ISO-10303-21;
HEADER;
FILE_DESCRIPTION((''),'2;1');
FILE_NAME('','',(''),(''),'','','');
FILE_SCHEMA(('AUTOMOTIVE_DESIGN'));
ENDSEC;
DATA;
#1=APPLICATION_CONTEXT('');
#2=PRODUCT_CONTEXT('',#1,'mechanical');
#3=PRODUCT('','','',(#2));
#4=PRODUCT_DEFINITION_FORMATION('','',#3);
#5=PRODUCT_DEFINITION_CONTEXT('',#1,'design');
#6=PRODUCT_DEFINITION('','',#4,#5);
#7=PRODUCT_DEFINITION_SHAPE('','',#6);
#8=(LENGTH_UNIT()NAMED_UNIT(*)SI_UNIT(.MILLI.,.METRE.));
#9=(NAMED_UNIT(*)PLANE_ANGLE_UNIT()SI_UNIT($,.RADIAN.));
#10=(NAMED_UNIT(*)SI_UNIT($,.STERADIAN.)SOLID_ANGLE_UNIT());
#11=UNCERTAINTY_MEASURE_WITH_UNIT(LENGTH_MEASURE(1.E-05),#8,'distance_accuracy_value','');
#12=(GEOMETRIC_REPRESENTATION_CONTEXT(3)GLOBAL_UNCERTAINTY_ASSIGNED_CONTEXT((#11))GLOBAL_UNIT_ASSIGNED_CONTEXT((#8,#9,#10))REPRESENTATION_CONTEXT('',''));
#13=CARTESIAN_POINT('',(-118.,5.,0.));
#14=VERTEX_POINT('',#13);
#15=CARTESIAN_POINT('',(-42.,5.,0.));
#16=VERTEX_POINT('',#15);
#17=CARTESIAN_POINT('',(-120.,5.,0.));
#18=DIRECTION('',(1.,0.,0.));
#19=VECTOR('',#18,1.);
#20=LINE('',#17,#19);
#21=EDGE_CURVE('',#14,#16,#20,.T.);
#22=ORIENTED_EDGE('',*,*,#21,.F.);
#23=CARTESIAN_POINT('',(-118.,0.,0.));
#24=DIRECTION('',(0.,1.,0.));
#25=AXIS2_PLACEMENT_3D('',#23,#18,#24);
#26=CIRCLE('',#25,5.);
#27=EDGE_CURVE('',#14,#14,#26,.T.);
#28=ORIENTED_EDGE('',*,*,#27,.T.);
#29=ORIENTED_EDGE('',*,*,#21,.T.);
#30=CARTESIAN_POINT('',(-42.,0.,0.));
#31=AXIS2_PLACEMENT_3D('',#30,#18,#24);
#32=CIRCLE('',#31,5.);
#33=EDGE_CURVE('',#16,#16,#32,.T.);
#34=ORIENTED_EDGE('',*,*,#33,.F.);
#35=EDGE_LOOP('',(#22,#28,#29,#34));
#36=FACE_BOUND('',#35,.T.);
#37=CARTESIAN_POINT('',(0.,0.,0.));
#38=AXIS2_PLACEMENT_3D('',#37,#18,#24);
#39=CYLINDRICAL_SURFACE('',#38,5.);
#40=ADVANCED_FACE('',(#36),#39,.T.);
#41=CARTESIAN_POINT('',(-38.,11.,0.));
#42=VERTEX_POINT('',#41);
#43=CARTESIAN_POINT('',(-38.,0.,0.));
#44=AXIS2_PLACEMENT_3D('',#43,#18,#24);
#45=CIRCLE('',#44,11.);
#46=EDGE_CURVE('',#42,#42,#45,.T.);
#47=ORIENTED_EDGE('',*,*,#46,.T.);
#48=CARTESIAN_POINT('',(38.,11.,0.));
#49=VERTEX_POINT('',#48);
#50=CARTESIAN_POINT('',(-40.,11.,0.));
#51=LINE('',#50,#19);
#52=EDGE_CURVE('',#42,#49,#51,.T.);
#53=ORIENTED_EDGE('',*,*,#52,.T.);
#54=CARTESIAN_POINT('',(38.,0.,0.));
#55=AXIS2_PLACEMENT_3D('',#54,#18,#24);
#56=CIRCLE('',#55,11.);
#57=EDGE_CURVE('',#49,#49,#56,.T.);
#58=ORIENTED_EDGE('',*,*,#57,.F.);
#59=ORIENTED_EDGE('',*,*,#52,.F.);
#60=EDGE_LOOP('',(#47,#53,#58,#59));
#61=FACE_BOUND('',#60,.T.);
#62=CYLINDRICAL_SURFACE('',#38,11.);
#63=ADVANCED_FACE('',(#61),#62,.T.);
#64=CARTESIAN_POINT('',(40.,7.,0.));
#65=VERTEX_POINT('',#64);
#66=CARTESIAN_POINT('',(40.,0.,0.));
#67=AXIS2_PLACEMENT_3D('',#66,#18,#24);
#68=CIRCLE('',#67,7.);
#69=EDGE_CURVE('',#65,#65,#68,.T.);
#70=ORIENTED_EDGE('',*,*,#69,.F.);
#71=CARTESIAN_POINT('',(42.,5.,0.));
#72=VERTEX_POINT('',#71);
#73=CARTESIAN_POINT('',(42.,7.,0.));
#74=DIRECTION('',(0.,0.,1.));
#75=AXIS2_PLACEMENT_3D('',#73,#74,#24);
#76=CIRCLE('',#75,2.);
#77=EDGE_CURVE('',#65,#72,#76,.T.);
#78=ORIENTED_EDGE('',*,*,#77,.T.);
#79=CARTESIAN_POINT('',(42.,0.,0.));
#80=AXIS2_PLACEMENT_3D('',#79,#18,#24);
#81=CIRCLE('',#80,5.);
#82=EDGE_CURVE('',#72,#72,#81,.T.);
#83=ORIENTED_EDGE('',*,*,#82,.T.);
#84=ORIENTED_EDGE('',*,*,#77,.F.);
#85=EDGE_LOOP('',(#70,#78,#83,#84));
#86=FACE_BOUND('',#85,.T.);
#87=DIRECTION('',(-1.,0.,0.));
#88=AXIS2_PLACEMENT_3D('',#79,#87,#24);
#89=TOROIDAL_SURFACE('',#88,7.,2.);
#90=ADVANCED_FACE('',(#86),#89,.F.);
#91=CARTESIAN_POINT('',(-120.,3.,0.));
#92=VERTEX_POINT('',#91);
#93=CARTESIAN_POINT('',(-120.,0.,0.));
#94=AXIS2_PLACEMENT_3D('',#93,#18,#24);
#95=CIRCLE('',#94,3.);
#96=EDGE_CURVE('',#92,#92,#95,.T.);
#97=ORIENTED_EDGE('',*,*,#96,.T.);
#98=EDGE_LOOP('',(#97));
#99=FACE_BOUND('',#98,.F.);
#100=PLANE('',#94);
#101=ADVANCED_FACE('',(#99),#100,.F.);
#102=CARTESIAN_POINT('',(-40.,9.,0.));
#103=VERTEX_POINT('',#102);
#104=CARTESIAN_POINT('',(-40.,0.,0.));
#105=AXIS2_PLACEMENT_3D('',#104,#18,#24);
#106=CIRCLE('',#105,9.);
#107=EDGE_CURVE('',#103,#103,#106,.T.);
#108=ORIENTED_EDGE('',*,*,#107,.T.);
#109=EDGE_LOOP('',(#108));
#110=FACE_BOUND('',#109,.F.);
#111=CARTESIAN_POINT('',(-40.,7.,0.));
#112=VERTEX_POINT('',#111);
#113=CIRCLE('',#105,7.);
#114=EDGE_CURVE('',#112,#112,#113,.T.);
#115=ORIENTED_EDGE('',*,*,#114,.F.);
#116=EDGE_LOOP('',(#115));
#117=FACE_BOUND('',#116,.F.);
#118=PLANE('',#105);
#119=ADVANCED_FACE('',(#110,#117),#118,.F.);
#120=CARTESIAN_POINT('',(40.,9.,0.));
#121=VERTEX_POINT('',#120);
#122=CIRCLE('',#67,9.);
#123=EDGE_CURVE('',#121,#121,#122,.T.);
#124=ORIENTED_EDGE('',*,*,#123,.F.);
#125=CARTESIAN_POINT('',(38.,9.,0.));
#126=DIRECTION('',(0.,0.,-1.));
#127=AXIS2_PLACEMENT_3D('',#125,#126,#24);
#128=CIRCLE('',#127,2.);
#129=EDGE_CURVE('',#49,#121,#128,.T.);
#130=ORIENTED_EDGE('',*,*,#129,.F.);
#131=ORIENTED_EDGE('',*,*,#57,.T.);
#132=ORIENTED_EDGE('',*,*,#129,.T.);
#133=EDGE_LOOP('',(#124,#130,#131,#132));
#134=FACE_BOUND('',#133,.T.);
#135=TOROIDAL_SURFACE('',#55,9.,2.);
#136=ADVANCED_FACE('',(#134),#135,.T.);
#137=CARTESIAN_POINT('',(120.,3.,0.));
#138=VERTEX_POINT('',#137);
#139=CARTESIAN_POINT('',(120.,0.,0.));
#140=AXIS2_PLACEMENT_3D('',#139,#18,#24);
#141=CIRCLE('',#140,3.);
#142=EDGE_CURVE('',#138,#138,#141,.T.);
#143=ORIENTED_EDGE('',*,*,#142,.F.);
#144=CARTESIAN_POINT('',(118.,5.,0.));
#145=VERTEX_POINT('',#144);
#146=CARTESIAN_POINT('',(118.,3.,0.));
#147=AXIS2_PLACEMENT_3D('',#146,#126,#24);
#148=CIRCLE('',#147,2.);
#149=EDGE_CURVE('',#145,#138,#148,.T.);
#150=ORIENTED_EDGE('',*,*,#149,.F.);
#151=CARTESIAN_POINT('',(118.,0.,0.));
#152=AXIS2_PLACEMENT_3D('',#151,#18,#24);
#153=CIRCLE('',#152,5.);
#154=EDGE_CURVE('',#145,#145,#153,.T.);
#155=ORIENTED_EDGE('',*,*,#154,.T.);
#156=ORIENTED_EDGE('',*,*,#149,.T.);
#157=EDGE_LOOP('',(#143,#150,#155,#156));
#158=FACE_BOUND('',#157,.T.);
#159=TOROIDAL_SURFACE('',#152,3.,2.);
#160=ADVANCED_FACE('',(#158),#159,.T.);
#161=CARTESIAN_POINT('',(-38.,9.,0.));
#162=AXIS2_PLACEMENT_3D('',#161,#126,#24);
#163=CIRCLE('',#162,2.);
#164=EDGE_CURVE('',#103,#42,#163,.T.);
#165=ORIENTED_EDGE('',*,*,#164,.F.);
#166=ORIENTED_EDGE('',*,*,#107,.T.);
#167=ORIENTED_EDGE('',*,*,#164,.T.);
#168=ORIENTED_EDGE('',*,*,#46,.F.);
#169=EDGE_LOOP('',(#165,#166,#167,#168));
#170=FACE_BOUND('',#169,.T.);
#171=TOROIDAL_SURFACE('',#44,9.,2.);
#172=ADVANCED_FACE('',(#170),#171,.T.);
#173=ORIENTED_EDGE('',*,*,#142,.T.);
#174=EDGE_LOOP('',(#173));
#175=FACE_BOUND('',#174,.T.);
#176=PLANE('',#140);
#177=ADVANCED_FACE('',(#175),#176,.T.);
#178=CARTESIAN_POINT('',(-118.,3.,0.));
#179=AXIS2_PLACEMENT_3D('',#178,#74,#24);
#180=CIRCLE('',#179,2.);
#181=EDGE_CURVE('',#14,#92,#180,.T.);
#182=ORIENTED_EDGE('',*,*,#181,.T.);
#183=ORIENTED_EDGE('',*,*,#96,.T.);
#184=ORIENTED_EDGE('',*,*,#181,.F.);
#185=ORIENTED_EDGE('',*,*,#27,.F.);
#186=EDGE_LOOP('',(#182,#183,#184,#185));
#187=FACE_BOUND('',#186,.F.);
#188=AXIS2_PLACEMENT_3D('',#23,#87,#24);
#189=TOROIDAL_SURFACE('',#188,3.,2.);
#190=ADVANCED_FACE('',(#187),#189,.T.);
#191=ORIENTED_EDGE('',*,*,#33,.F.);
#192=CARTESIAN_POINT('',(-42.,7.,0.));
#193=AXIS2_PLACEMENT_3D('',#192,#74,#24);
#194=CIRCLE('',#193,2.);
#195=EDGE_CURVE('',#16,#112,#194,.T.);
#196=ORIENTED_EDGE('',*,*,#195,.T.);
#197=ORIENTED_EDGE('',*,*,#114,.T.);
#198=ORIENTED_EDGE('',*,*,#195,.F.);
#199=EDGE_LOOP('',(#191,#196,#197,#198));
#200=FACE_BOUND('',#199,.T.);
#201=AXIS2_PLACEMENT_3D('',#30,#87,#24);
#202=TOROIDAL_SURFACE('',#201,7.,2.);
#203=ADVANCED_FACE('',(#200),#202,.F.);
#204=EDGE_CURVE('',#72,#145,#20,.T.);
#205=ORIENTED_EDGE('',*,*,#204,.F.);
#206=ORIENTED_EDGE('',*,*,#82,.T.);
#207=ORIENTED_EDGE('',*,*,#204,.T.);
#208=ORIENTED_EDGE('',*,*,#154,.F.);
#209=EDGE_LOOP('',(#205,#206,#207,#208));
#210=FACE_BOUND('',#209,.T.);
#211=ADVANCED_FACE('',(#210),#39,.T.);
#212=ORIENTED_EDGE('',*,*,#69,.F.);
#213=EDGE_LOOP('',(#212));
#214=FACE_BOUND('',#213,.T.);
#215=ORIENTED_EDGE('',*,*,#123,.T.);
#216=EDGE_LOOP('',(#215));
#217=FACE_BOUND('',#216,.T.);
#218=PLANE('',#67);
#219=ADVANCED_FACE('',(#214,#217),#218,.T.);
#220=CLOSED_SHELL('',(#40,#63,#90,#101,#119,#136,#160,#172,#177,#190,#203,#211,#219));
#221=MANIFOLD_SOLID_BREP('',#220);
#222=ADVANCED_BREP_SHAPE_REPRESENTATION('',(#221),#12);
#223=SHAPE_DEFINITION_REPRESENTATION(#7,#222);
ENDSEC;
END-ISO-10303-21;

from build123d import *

# Parameters (mm, degrees)
F0_R     = 11
F0_R_2   = 5
F1_DEPTH = 40
F2_DEPTH = 120
F3_R     = 2


with BuildPart() as f1:
    # F0 (on Right) → F1 (new body, symmetric)
    with BuildSketch(Plane.YZ):
        Circle(F0_R)
        Circle(F0_R_2, mode=Mode.SUBTRACT)
        Circle(F0_R_2)
    extrude(amount=F1_DEPTH, both=True)

    # F0 (on Right) → F2 (join, symmetric)
    with BuildSketch(Plane.YZ):
        Circle(F0_R_2)
    extrude(amount=F2_DEPTH, both=True)

    # F3
    f3_edges = [f1.edges().sort_by_distance(p)[0] for p in [
        (-40, -11, 0),
        (-40, -5, 0),
        (40, -11, 0),
        (40, -5, 0),
        (120, -5, 0),
        (-120, -5, 0),
    ]]
    fillet(f3_edges, radius=F3_R)


solid = f1.part
